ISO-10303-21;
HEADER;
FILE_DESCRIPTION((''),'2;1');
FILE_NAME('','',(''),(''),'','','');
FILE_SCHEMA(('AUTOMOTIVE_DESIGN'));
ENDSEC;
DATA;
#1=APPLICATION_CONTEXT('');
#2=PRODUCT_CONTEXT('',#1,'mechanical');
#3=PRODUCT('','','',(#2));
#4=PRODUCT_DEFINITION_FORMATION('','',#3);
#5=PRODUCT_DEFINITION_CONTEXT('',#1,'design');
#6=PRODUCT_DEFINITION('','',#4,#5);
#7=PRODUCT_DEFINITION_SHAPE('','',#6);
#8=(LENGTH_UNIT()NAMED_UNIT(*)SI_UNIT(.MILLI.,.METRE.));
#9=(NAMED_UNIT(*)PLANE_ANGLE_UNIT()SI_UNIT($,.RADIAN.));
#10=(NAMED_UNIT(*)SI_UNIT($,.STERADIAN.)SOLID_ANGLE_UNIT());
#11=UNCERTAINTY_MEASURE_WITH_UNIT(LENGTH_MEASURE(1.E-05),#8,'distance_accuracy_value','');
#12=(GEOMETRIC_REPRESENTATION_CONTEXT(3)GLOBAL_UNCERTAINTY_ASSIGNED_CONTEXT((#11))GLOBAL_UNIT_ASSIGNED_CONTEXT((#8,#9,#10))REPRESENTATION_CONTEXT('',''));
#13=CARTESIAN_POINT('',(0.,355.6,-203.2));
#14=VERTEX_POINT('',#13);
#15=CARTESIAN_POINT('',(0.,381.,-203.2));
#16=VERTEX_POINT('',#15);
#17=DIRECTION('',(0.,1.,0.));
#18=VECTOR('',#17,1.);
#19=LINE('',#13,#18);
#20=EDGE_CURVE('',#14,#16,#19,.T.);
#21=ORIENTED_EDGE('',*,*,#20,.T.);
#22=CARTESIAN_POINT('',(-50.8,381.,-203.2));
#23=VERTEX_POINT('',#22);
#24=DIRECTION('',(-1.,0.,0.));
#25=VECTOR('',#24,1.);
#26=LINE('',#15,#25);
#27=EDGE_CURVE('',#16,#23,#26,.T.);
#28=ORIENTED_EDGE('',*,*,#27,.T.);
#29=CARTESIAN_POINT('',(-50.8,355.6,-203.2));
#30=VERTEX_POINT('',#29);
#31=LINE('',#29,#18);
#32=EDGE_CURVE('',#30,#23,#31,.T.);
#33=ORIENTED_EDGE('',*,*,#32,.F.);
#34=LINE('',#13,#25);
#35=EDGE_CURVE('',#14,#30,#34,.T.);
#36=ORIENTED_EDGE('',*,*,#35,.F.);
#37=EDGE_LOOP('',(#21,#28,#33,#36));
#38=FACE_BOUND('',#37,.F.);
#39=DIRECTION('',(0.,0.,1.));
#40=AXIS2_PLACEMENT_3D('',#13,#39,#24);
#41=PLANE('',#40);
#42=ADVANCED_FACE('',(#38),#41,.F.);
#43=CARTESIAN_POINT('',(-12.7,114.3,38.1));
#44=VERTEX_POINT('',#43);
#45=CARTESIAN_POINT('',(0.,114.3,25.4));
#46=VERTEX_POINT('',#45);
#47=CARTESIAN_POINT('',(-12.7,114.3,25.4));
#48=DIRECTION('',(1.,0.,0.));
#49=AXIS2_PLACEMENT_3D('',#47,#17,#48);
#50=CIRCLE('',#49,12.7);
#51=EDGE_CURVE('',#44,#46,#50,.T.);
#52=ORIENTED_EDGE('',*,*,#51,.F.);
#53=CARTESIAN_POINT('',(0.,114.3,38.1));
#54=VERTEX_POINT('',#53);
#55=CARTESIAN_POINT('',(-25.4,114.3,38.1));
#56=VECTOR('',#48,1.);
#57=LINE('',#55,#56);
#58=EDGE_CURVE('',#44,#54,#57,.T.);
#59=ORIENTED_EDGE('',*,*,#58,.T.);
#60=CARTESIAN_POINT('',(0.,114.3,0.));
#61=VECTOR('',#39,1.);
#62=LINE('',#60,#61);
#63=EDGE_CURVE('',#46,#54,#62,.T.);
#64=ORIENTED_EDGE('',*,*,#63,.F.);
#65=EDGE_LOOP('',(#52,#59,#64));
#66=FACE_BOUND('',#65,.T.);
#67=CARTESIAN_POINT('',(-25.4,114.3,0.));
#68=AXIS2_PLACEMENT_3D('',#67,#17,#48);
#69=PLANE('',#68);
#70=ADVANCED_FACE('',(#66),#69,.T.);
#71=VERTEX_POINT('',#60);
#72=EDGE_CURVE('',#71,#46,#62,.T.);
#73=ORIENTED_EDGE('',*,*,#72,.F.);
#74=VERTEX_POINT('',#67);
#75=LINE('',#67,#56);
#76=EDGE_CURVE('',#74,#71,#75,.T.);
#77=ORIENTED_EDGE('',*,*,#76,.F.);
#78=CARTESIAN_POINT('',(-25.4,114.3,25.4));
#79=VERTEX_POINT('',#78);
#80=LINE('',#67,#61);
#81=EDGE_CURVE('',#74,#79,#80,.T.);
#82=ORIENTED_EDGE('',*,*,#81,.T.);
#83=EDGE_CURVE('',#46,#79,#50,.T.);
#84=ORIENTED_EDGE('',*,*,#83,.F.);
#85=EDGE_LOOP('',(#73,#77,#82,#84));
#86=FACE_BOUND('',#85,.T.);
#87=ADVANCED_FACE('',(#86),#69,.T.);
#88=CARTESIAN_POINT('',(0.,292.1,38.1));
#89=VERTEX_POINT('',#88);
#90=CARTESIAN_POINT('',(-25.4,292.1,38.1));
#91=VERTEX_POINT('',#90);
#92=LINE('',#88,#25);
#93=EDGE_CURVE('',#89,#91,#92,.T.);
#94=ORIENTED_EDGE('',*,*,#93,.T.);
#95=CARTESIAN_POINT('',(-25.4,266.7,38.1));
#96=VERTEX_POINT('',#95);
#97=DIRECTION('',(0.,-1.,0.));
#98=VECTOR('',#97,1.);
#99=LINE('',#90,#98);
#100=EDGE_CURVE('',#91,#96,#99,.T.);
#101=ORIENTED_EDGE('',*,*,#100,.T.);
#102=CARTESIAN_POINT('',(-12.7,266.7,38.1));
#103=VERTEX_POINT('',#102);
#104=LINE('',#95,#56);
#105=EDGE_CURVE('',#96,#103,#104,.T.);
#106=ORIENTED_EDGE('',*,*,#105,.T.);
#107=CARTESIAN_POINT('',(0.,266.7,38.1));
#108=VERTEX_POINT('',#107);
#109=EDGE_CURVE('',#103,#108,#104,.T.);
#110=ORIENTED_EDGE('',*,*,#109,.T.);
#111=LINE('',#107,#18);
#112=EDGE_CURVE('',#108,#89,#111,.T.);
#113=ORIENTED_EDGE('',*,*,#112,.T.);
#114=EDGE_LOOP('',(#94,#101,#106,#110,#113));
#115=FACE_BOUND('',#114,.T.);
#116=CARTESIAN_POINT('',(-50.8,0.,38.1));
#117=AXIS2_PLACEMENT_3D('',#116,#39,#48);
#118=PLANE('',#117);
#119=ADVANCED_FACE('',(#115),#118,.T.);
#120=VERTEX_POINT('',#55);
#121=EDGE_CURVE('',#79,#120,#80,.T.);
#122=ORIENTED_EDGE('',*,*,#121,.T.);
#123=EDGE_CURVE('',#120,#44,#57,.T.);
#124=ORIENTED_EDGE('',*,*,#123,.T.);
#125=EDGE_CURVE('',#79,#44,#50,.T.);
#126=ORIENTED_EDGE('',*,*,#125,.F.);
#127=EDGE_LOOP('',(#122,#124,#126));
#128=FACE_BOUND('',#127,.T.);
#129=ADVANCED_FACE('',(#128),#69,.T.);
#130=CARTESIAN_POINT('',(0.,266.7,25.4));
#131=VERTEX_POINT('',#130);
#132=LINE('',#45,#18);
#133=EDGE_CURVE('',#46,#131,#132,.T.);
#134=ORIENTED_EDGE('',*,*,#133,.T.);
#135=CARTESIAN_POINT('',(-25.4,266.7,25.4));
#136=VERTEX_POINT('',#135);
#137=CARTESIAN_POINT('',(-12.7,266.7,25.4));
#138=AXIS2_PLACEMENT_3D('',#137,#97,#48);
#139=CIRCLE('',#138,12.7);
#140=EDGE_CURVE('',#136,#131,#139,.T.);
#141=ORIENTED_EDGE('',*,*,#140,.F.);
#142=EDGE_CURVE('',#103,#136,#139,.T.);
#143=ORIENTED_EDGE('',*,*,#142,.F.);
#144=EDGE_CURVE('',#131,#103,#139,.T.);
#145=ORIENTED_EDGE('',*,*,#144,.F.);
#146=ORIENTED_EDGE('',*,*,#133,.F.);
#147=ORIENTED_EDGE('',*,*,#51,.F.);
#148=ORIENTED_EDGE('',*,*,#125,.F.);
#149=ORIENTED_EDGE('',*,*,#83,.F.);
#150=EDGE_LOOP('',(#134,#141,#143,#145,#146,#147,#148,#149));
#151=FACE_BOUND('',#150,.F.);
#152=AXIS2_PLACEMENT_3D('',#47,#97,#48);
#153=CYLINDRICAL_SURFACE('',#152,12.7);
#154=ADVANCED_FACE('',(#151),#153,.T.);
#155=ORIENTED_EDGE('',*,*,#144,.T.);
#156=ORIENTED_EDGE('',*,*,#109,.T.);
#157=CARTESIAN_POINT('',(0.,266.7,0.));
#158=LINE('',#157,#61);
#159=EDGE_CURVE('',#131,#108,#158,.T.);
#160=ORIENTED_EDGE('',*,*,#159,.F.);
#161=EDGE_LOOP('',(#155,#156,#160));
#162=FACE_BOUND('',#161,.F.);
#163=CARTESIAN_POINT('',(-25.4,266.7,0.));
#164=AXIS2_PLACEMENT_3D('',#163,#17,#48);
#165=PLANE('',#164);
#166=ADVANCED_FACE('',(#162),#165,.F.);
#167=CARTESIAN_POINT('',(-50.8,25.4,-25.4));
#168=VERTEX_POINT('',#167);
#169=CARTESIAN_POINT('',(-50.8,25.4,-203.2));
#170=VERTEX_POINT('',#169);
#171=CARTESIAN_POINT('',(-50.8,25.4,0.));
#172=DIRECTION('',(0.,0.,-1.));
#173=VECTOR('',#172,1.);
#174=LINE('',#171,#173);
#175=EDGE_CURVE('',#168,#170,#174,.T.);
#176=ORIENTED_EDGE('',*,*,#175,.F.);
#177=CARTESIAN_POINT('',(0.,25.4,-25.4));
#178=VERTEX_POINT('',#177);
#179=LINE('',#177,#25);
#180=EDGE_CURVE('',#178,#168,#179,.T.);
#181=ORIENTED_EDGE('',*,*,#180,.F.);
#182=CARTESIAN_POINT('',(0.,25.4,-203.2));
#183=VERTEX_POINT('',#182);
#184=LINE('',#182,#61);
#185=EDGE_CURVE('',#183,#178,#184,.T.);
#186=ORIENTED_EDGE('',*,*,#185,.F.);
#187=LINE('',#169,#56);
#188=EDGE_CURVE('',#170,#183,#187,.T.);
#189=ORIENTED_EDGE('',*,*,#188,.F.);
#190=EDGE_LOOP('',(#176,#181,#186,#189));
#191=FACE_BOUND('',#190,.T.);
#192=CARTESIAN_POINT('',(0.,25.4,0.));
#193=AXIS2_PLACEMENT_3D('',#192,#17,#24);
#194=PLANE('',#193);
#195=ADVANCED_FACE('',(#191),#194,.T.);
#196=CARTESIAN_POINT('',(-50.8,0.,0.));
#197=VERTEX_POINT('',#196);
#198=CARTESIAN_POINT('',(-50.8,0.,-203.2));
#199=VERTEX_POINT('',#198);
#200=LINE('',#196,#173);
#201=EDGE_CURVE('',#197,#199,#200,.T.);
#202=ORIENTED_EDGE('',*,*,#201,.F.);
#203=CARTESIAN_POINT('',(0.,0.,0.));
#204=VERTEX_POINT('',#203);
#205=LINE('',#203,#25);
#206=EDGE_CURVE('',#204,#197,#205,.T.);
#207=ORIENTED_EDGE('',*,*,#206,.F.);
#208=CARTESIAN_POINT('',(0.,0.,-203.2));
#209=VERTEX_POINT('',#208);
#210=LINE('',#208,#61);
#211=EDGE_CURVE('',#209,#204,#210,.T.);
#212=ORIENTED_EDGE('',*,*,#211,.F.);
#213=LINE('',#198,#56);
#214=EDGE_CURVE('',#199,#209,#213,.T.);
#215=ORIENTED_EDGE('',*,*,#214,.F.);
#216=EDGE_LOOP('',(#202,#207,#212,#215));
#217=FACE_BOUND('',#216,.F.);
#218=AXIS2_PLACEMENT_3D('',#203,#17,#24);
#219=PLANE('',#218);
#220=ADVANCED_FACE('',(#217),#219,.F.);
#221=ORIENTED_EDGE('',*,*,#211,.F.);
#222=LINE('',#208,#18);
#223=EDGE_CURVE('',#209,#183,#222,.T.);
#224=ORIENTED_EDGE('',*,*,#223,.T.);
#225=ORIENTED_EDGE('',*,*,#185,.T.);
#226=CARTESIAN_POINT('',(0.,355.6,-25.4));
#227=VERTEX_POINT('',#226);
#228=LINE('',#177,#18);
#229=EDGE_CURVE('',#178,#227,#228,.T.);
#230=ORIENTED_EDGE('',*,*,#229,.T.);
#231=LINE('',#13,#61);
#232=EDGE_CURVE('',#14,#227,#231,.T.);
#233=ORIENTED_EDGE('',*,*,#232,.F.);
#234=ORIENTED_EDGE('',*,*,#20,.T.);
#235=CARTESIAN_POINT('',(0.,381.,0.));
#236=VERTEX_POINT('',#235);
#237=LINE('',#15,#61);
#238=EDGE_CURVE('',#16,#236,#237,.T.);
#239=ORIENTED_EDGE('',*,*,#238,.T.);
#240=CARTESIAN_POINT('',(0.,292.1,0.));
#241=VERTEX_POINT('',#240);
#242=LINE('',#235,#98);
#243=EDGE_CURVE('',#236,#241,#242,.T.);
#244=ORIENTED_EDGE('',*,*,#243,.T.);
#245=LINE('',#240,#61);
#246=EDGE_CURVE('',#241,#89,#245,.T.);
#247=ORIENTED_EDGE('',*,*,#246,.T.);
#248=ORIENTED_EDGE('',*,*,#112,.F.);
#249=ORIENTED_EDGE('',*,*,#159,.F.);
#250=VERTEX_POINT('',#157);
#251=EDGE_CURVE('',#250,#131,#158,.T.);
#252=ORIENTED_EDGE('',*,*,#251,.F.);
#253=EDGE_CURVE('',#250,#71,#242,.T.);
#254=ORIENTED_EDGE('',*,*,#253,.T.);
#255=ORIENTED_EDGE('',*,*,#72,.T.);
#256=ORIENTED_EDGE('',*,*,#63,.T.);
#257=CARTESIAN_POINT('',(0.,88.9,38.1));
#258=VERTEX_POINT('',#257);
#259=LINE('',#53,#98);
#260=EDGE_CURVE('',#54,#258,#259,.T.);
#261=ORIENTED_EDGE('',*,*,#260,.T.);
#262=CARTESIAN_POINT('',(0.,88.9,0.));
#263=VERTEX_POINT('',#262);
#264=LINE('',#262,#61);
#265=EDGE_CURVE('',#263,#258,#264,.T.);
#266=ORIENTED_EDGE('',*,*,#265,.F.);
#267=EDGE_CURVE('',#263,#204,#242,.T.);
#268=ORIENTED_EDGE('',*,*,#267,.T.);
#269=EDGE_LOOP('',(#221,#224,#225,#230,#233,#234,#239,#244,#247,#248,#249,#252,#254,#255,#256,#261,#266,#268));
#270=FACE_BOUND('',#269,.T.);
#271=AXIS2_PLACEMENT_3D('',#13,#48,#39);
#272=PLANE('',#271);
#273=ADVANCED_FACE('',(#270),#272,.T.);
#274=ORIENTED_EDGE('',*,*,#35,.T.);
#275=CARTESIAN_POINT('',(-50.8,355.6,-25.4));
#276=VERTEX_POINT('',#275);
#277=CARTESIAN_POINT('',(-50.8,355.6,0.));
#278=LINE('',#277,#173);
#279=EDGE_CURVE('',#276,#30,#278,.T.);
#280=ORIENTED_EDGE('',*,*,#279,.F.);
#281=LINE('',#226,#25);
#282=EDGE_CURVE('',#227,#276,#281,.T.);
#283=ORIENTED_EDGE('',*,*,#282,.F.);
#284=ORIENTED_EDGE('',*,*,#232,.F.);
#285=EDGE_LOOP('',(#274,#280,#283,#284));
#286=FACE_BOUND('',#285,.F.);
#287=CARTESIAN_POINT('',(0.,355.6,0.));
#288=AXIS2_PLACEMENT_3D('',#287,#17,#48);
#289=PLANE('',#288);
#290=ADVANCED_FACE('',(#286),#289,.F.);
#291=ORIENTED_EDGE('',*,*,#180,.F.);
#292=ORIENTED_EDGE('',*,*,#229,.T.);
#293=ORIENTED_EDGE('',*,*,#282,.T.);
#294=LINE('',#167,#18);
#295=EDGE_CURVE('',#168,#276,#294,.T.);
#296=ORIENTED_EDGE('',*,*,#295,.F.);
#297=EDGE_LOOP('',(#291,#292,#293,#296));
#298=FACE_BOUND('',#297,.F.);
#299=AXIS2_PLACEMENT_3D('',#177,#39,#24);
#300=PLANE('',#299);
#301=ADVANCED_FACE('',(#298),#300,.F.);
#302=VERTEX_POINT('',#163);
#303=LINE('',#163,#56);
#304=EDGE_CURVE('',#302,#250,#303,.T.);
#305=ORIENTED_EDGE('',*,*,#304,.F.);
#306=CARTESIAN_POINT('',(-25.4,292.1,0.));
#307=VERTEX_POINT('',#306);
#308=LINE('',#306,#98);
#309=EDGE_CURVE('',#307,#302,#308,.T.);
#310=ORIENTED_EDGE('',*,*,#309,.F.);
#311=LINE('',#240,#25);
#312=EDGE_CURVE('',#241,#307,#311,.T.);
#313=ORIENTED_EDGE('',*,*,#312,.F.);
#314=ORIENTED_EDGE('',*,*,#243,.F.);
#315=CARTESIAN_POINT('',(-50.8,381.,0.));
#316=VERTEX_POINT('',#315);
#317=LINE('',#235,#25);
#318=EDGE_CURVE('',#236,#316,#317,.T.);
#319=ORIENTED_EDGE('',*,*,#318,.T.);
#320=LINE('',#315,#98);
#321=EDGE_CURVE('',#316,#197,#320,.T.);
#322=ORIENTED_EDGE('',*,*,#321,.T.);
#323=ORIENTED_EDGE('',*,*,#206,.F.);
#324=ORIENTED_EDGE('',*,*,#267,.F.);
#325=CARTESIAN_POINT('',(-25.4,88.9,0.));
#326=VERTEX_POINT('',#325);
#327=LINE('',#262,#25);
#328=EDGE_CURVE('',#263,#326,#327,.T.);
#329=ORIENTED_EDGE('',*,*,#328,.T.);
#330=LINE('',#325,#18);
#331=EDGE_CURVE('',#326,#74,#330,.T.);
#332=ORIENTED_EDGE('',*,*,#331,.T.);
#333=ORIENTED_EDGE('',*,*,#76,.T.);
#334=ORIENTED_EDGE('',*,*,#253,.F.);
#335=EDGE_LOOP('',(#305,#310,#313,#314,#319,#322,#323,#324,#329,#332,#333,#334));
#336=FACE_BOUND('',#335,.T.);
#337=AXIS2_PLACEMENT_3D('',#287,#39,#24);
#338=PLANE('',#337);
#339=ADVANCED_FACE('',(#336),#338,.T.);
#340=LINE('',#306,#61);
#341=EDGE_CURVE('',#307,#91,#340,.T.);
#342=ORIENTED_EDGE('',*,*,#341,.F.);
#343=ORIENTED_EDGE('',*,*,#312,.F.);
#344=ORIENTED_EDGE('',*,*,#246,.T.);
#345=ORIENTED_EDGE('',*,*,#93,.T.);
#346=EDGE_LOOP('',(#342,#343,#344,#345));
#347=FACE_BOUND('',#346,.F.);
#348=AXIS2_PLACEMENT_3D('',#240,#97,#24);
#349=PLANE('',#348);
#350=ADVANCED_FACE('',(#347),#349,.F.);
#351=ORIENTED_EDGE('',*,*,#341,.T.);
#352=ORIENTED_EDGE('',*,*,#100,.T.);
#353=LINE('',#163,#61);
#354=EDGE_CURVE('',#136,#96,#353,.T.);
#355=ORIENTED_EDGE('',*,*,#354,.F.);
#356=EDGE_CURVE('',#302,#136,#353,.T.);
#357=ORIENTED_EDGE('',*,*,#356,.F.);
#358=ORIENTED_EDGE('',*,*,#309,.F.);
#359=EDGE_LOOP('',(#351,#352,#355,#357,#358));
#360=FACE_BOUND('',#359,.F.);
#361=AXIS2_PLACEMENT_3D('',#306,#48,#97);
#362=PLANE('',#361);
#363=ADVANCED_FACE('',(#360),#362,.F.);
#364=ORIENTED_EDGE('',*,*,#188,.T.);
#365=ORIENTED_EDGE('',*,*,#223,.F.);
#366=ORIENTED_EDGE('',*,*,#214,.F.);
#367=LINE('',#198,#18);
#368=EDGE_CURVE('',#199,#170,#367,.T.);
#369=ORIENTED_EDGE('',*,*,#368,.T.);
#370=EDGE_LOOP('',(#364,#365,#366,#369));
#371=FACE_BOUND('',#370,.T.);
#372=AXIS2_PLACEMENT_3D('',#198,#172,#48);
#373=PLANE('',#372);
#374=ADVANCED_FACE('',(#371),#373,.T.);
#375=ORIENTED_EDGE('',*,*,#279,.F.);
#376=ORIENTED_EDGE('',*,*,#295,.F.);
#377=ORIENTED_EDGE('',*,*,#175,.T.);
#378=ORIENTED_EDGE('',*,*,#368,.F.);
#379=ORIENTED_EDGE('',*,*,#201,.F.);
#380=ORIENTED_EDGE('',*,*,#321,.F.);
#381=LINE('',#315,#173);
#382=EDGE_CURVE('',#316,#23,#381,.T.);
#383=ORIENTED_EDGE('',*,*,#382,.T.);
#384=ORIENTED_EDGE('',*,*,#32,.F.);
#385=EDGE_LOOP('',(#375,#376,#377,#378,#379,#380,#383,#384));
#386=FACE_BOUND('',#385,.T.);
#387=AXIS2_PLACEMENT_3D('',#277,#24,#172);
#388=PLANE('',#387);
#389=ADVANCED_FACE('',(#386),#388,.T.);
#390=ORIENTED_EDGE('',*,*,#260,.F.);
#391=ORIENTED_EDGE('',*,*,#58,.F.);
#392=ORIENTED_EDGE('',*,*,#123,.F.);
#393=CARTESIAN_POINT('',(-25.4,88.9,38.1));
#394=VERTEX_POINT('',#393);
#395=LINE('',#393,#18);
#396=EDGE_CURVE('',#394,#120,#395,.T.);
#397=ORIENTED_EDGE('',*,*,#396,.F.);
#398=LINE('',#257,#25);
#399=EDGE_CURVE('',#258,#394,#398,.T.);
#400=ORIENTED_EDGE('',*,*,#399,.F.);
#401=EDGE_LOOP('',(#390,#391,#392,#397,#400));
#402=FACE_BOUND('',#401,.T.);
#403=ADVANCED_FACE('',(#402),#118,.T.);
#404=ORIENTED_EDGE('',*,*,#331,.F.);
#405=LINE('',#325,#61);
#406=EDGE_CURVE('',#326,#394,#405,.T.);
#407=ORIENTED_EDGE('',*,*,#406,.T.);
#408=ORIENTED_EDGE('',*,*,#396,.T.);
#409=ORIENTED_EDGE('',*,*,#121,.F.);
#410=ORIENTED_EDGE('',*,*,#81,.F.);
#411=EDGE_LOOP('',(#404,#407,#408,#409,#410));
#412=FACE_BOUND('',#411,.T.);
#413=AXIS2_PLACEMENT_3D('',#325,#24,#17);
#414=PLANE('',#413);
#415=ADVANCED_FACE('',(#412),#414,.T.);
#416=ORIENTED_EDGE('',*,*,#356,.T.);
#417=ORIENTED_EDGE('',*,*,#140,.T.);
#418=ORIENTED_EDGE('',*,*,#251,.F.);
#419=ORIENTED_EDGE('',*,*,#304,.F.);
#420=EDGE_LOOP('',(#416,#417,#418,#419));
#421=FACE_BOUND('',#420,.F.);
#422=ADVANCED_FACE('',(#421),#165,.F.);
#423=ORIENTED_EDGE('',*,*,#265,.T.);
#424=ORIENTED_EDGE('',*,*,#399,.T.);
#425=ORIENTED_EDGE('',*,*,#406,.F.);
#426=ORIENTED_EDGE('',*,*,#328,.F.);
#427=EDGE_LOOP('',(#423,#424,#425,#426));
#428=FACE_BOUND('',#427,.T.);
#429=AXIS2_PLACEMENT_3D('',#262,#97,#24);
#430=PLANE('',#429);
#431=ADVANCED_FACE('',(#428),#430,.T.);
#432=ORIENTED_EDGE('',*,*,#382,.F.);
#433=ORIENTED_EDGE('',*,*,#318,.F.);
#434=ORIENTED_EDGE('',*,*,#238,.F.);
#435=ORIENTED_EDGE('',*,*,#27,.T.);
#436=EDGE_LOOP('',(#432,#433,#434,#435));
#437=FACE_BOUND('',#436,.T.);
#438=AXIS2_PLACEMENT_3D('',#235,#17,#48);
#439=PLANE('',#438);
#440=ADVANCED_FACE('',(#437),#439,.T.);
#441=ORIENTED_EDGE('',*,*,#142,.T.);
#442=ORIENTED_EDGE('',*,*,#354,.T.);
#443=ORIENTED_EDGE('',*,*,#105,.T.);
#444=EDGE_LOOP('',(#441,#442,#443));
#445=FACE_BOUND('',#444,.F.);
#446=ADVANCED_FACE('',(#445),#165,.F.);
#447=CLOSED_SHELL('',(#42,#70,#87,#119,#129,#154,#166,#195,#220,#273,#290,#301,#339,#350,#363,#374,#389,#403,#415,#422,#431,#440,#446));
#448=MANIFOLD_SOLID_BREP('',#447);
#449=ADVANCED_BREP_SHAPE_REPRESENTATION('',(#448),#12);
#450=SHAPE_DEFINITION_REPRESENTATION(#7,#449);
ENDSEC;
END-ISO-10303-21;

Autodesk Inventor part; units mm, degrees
ref_plane "YZ Plane" through (0, 0, 0) normal (1, 0, 0) x (0, 1, 0)
ref_plane "XZ Plane" through (0, 0, 0) normal (0, 1, 0) x (-1, 0, 0)
ref_plane "XY Plane" through (0, 0, 0) normal (0, 0, 1) x (1, 0, 0)
sketch "Sketch1" plane through (0, 0, 0) normal (0, 1, 0) x (-1, 0, 0)
  line L0 (0, 0) -> (50.8, 0)
  line L1 (50.8, 0) -> (50.8, -203.2)
  line L2 (50.8, -203.2) -> (0, -203.2)
  line L3 (0, -203.2) -> (0, 0)
  dimension "d0" = 50.8
  dimension "d1" = 203.2
extrude "Extrusion1" add sketch "Sketch1" along normal blind 25.4
sketch "Sketch2" plane through (0, 25.4, 0) normal (0, 1, 0) x (1, 0, 0)
  line L0 (-50.8, 0) -> (0, 0) projected
  line L1 (0, 0) -> (0, 203.2) projected
  line L2 (-50.8, 0) -> (0, 0)
  line L3 (0, 0) -> (0, 25.4)
  line L4 (0, 25.4) -> (-50.8, 25.4)
  line L5 (-50.8, 25.4) -> (-50.8, 0)
  dimension "d4" = 25.4
extrude "Extrusion2" add sketch "Sketch2" along normal blind 330.2
sketch "Sketch3" plane through (0, 355.6, 0) normal (0, 1, 0) x (1, 0, 0)
  line L0 (0, 203.2) -> (-50.8, 203.2) projected
  line L1 (0, 0) -> (-50.8, 0)
  line L2 (-50.8, 0) -> (-50.8, 203.2)
  line L3 (-50.8, 203.2) -> (0, 203.2)
  line L4 (0, 203.2) -> (0, 0)
extrude "Extrusion3" add sketch "Sketch3" along normal blind 25.4
sketch "Sketch4" plane through (-50.8, 0, 0) normal (0, 0, 1) x (1, 0, 0)
  line L0 (50.8, 292.1) -> (25.4, 292.1)
  line L1 (25.4, 292.1) -> (25.4, 266.7)
  line L2 (25.4, 266.7) -> (50.8, 266.7)
  line L3 (50.8, 266.7) -> (50.8, 292.1)
  line L4 (50.8, 88.9) -> (25.4, 88.9)
  line L5 (25.4, 88.9) -> (25.4, 114.3)
  line L6 (25.4, 114.3) -> (50.8, 114.3)
  line L7 (50.8, 114.3) -> (50.8, 88.9)
  line L8 (50.8, 0) -> (0, 0) projected
  dimension "d19" = 152.4
  dimension "d20" = 25.4
  dimension "d21" = 25.4
  dimension "d22" = 88.9
extrude "Extrusion4" add sketch "Sketch4" along normal blind 38.1
sketch "Sketch6" plane through (-25.4, 114.3, 0) normal (0, 1, 0) x (1, 0, 0)
  circle A0 centre (12.7, -25.4) radius 12.7
  line L0 (25.4, 0) -> (25.4, -38.1) projected
  line L1 (25.4, -38.1) -> (0, -38.1) projected
  dimension "d23" = 25.4
  dimension "d24" = 12.7
  dimension "d25" = 12.7
extrude "Extrusion5" add sketch "Sketch6" along normal blind 158.75 contours A0
properties part number "hand"
